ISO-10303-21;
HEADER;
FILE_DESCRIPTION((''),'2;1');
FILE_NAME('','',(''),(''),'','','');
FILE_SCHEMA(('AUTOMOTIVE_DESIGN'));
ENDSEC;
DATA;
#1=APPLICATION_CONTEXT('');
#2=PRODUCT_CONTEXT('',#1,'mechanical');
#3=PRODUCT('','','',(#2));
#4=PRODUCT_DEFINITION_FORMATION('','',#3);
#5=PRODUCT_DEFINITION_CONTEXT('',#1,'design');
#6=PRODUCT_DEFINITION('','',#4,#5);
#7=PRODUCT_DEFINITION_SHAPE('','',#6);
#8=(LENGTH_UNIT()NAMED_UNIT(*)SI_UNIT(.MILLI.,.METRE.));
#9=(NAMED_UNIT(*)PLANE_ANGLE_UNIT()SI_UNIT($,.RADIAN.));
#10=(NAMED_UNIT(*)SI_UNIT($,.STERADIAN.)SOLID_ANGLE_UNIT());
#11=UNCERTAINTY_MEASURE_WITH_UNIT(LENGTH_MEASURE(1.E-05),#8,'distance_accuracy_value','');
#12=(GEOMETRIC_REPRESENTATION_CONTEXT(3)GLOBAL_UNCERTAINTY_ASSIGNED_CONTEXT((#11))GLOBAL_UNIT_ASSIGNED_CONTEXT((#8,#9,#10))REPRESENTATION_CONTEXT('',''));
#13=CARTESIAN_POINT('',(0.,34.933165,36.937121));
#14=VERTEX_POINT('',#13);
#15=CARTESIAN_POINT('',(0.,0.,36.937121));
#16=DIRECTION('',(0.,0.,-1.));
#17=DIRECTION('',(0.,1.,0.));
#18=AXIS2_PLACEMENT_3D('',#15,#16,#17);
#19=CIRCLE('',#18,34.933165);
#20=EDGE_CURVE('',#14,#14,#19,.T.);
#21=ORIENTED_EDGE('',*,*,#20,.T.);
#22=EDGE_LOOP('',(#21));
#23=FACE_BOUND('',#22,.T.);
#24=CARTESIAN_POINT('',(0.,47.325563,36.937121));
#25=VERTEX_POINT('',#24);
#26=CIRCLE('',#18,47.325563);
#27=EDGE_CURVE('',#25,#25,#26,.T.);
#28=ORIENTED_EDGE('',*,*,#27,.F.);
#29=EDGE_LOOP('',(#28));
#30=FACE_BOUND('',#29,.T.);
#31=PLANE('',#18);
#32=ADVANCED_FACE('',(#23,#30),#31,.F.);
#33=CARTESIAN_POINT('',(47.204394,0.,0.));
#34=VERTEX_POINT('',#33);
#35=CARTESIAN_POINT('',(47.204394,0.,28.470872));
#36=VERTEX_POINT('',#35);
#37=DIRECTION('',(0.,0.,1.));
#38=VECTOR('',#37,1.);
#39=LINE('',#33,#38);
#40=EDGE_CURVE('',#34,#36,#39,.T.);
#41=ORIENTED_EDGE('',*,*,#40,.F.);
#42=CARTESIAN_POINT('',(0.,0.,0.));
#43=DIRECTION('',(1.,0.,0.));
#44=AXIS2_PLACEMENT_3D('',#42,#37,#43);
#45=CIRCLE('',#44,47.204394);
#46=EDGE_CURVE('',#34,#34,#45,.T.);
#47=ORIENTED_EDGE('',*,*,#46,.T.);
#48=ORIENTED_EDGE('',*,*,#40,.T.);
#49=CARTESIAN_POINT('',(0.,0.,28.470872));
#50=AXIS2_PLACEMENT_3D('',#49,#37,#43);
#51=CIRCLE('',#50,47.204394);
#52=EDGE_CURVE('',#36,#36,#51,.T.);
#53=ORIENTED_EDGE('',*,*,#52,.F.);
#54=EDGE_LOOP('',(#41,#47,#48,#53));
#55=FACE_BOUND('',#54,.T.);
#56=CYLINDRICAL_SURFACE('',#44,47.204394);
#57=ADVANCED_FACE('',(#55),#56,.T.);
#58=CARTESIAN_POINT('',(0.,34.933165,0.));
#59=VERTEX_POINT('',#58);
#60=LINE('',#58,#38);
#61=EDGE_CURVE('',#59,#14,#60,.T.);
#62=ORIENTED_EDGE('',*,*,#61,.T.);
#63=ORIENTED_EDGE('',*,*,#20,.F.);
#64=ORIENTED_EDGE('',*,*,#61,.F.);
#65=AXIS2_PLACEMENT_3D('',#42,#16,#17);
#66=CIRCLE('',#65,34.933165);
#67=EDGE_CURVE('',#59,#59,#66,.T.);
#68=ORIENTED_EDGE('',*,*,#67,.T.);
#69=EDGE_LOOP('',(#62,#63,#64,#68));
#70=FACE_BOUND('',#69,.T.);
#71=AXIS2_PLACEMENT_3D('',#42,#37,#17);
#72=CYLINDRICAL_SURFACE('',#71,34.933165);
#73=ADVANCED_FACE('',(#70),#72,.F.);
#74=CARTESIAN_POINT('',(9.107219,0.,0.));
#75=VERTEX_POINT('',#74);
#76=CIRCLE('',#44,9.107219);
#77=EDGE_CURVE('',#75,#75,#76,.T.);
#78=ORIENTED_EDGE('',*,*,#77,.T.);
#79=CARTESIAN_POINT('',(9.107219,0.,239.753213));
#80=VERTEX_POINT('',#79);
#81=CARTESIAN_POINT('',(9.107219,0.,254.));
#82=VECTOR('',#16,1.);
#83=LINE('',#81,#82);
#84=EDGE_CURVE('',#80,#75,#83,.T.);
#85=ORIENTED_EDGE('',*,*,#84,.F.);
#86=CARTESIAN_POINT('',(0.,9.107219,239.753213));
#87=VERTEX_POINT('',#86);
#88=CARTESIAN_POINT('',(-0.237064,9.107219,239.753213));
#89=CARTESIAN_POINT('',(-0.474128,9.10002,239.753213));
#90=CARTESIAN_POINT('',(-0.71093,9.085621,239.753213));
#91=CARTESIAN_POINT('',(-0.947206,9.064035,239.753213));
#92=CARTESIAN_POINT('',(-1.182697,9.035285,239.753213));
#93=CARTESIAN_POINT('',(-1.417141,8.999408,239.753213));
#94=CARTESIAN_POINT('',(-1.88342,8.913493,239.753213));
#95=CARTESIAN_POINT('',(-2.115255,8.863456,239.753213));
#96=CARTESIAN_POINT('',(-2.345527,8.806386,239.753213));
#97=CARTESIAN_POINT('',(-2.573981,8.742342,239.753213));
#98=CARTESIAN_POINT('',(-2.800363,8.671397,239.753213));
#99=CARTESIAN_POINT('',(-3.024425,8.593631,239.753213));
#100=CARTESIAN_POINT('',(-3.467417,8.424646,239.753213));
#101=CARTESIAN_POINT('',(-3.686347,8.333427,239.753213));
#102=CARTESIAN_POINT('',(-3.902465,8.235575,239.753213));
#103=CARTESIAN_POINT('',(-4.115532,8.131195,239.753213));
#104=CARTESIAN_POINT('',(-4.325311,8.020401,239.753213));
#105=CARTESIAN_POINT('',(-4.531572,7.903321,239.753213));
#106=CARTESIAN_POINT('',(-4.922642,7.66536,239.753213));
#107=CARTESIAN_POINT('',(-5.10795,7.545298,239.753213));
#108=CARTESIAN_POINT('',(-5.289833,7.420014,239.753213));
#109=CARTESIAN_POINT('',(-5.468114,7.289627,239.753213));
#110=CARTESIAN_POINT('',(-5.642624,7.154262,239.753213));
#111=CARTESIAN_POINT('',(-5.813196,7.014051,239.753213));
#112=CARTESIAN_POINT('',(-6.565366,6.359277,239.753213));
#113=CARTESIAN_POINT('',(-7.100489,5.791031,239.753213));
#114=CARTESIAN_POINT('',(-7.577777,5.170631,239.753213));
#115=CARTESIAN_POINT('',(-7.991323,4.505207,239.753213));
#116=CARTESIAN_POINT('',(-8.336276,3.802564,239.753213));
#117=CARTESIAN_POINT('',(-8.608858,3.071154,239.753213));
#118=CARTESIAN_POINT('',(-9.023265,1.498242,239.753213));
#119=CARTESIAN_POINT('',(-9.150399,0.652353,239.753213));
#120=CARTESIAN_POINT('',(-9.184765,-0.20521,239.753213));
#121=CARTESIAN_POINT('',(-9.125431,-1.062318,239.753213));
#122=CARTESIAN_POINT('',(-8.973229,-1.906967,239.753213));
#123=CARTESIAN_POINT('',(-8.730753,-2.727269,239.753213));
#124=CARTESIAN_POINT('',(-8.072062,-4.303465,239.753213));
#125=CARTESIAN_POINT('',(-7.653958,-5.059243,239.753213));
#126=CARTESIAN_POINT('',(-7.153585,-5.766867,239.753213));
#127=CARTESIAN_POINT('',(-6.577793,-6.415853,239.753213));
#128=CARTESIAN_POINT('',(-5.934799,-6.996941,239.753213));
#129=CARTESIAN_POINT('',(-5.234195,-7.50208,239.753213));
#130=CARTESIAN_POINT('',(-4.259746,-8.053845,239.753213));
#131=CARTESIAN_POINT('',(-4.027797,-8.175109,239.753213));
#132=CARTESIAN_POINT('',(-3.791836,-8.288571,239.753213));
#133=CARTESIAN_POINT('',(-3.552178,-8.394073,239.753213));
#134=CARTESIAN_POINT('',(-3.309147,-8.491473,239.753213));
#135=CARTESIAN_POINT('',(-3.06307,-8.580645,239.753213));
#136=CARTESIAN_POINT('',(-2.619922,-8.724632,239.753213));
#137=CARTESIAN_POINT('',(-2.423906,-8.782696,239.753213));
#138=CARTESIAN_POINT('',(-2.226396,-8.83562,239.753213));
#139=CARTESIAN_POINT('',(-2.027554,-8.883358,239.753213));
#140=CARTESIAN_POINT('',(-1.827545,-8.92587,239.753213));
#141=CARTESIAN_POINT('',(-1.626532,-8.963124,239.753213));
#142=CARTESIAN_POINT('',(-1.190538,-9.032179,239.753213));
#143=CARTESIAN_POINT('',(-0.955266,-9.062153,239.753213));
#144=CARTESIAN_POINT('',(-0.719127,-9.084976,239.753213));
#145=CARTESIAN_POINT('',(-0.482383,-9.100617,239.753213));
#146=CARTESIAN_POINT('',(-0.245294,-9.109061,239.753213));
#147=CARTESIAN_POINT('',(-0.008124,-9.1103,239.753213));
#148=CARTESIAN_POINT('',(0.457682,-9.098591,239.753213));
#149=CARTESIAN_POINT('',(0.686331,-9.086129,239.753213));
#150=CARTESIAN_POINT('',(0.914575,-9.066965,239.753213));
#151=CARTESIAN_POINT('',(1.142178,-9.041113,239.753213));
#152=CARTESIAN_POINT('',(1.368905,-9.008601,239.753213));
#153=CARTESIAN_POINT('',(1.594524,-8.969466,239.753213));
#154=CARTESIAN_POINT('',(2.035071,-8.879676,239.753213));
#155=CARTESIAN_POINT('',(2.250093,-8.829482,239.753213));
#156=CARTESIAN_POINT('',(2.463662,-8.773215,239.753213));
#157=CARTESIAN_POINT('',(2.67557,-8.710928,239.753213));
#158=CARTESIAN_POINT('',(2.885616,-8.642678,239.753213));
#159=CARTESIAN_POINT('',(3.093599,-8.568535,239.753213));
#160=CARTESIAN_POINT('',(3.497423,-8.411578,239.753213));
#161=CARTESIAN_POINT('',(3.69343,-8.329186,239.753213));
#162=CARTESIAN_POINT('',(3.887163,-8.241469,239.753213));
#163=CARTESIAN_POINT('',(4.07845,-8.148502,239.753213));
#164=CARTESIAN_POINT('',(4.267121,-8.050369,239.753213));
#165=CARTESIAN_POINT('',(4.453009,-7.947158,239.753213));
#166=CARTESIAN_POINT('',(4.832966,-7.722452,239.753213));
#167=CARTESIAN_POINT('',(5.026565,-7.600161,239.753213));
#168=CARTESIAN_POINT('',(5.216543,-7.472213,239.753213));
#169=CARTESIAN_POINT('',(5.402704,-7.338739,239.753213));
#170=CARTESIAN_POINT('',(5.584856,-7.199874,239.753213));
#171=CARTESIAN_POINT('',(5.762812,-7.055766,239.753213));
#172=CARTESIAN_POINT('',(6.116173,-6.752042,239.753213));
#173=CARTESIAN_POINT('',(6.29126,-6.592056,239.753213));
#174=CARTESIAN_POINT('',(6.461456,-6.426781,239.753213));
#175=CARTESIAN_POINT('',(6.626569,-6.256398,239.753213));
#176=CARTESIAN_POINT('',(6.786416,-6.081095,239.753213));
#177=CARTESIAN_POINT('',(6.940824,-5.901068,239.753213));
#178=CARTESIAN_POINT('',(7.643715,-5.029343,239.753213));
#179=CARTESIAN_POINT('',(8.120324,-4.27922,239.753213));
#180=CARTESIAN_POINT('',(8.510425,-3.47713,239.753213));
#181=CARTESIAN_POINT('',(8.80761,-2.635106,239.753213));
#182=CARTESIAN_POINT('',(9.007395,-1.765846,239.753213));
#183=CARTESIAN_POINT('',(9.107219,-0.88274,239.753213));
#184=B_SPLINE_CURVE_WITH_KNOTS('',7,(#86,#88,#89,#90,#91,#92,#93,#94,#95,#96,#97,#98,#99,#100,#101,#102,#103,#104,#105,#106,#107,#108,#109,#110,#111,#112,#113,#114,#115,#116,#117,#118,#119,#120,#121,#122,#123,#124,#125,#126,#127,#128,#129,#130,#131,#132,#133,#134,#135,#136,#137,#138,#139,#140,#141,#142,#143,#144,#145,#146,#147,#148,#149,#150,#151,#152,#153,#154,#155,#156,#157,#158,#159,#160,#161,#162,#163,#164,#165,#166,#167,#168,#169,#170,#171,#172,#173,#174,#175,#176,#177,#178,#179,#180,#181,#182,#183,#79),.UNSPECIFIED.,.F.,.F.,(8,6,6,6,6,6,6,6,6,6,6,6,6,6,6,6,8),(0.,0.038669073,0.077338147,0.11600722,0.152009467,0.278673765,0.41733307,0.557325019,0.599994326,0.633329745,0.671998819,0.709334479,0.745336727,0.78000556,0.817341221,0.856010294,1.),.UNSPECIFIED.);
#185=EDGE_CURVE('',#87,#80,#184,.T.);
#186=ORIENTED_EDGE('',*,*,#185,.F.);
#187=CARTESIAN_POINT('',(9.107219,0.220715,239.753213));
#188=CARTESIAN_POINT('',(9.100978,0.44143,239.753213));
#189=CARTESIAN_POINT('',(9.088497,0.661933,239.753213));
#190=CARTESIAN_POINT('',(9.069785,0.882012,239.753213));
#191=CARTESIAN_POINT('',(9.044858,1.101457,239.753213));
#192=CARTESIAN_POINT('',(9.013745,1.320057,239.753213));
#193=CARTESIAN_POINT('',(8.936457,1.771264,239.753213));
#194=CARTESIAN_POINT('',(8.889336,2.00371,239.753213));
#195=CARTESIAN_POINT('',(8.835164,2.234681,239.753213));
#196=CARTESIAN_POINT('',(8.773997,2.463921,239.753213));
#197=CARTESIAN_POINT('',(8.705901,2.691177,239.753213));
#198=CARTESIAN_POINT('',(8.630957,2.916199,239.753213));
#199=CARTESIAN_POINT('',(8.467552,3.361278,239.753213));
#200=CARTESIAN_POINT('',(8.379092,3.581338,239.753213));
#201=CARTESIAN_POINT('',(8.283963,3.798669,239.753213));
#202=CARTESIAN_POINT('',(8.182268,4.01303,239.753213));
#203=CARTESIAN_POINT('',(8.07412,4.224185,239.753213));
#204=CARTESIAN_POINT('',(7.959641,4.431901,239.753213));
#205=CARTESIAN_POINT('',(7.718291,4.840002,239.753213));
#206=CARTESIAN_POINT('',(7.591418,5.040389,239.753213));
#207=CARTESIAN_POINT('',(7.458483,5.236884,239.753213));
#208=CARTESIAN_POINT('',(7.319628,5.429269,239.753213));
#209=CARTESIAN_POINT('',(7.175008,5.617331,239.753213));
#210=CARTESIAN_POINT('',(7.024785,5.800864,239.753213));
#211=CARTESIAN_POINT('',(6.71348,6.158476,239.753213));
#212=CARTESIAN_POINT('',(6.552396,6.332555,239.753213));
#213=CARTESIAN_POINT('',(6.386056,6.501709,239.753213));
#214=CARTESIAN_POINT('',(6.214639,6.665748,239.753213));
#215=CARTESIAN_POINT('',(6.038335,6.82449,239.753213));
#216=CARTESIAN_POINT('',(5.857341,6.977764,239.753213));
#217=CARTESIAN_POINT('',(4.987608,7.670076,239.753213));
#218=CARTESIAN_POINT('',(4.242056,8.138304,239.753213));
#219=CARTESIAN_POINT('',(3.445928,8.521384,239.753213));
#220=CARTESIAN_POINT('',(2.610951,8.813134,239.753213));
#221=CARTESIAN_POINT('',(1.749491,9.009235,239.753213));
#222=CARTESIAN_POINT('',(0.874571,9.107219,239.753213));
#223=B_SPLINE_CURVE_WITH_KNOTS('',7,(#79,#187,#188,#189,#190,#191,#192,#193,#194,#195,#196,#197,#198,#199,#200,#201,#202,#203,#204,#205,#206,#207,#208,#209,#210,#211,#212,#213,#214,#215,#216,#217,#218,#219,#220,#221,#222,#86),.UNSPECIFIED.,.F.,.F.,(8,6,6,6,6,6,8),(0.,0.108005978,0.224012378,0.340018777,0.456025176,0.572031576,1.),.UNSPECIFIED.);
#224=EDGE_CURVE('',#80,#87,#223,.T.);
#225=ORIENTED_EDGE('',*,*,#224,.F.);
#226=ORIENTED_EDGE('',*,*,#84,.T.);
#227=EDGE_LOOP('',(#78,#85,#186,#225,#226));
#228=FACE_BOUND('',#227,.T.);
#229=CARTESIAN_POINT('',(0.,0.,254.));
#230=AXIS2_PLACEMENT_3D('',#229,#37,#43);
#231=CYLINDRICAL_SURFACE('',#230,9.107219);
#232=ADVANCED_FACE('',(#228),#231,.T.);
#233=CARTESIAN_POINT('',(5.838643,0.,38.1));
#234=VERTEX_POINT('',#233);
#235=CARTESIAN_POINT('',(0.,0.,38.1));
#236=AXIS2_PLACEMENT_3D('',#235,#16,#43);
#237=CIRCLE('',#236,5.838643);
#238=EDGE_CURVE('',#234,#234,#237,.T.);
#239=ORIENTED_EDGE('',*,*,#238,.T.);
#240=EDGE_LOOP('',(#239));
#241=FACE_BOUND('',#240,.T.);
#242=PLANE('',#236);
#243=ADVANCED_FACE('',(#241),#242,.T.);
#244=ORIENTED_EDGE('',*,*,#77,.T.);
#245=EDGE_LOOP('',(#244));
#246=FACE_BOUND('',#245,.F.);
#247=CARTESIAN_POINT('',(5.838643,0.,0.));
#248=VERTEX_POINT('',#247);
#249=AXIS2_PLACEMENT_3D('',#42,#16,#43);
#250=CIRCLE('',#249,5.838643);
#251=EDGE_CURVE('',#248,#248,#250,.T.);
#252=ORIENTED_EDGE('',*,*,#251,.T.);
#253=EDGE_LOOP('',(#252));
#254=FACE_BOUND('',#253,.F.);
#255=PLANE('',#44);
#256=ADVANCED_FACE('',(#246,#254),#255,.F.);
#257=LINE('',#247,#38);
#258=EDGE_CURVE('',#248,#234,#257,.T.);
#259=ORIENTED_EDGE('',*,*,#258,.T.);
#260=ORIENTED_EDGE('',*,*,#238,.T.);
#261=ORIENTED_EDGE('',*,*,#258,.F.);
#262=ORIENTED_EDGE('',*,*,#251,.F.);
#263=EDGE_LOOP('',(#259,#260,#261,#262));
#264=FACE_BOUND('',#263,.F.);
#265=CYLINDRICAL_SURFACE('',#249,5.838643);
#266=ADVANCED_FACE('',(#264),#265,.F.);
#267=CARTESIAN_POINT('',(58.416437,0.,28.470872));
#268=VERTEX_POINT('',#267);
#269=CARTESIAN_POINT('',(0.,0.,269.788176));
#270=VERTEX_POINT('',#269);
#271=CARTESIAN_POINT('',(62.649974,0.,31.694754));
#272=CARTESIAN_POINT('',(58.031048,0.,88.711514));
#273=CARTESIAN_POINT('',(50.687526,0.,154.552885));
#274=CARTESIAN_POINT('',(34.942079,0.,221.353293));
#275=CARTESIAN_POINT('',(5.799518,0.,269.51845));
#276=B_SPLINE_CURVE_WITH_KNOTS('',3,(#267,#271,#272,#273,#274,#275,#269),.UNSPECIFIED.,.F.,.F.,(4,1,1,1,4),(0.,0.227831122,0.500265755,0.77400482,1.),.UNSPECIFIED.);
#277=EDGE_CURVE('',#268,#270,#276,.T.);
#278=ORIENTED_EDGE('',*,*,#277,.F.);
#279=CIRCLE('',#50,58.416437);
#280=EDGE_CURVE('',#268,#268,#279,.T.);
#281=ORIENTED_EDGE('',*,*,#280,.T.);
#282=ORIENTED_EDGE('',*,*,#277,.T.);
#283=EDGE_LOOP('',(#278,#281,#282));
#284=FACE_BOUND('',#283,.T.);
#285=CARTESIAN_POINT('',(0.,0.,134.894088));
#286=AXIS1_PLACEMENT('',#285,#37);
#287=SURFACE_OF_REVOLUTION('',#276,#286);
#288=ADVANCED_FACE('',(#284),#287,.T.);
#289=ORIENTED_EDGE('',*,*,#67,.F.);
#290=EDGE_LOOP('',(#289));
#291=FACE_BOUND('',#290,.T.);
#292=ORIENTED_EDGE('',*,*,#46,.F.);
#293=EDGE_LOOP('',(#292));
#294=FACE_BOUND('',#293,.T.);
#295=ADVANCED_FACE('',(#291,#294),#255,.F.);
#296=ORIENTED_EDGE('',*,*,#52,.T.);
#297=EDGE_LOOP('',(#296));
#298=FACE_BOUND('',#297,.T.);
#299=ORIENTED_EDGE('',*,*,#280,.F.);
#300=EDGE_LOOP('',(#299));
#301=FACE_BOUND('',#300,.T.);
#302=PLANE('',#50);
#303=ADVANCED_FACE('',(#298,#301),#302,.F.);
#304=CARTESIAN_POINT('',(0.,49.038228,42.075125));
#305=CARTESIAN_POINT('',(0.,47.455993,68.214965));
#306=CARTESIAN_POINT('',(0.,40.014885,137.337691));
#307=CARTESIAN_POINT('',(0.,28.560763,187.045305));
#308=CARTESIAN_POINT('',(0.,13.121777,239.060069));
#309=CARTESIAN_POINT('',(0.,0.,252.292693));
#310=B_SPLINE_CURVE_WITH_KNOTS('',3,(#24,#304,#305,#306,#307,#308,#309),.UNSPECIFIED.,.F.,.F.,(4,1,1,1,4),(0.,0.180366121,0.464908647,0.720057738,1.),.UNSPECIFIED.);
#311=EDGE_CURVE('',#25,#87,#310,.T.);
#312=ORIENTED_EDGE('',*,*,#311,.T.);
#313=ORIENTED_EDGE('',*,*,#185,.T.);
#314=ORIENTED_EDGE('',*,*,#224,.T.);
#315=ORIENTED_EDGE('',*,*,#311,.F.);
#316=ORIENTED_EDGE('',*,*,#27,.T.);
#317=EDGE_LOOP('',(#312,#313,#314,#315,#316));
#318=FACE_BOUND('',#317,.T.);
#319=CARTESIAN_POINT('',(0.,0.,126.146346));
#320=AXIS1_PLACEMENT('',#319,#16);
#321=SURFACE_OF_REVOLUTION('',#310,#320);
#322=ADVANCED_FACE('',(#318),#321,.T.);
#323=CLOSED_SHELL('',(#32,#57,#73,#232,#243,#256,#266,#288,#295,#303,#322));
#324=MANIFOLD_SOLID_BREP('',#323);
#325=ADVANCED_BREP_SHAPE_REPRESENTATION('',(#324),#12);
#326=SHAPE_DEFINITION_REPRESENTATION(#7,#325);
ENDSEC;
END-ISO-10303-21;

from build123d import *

# Parameters (mm, degrees)
F5_R     = 9.1072188875
F6_DEPTH = 254
F7_R     = 5.8386428143
F8_DEPTH = 38.1


with BuildPart() as f1:
    # F0 (on Front) → F1 (revolve)
    with BuildSketch(Plane.XZ):
        with BuildLine():
            Line((0, 269.7881758213), (0, 0))
            Line((0, 0), (47.2043938935, 0))
            Line((47.2043938935, 0), (47.2043938935, 28.4708719701))
            Line((47.2043938935, 28.4708719701), (58.4164373577, 28.4708719701))
            add(Edge.make_bspline(
                [(58.4164373577, 28.4708719701), (62.6499739309, 31.6947540989), (58.0310484766, 88.7115135533), (50.6875261106, 154.5528853053), (34.94207928, 221.3532934929), (5.7995176102, 269.518449972), (0, 269.7881758213)],
                knots=[0, 0, 0, 0, 0.2278311216, 0.5002657554, 0.7740048203, 1, 1, 1, 1], degree=3))
        make_face()
    revolve(axis=Axis((0, 0, 134.8940879107), (0, 0, 1)))

    # F2 (on Right) → F3 (revolve, cut)
    with BuildSketch(Plane.YZ):
        with BuildLine():
            Line((0, 252.2926926613), (0, 0))
            Line((0, 0), (34.9331647158, 0))
            Line((34.9331647158, 0), (34.9331647158, 28.3906478435))
            Line((34.9331647158, 28.3906478435), (34.9331647158, 36.9371213019))
            Line((34.9331647158, 36.9371213019), (47.3255626857, 36.9371213019))
            add(Edge.make_bspline(
                [(47.3255626857, 36.9371213019), (49.0382284787, 42.0751246531), (47.4559925575, 68.2149654231), (40.0148851899, 137.3376914459), (28.5607626877, 187.0453050999), (13.1217766484, 239.0600692181), (0, 252.2926926613)],
                knots=[0, 0, 0, 0, 0.1803661211, 0.464908647, 0.7200577379, 1, 1, 1, 1], degree=3))
        make_face()
    revolve(axis=Axis((0, 0, 126.1463463306), (0, 0, -1)), mode=Mode.SUBTRACT)

    # F5 (on offset) → F6 (join, through all)
    with BuildSketch(Plane.XY.offset(254)):
        Circle(F5_R)
    extrude(amount=-F6_DEPTH)

    # F7 (on face) → F8 (cut)
    with BuildSketch(Plane(origin=(0, 0, 0), x_dir=(1, 0, 0), z_dir=(0, 0, -1))):
        Circle(F7_R)
    extrude(amount=-F8_DEPTH, mode=Mode.SUBTRACT)


solid = f1.part
